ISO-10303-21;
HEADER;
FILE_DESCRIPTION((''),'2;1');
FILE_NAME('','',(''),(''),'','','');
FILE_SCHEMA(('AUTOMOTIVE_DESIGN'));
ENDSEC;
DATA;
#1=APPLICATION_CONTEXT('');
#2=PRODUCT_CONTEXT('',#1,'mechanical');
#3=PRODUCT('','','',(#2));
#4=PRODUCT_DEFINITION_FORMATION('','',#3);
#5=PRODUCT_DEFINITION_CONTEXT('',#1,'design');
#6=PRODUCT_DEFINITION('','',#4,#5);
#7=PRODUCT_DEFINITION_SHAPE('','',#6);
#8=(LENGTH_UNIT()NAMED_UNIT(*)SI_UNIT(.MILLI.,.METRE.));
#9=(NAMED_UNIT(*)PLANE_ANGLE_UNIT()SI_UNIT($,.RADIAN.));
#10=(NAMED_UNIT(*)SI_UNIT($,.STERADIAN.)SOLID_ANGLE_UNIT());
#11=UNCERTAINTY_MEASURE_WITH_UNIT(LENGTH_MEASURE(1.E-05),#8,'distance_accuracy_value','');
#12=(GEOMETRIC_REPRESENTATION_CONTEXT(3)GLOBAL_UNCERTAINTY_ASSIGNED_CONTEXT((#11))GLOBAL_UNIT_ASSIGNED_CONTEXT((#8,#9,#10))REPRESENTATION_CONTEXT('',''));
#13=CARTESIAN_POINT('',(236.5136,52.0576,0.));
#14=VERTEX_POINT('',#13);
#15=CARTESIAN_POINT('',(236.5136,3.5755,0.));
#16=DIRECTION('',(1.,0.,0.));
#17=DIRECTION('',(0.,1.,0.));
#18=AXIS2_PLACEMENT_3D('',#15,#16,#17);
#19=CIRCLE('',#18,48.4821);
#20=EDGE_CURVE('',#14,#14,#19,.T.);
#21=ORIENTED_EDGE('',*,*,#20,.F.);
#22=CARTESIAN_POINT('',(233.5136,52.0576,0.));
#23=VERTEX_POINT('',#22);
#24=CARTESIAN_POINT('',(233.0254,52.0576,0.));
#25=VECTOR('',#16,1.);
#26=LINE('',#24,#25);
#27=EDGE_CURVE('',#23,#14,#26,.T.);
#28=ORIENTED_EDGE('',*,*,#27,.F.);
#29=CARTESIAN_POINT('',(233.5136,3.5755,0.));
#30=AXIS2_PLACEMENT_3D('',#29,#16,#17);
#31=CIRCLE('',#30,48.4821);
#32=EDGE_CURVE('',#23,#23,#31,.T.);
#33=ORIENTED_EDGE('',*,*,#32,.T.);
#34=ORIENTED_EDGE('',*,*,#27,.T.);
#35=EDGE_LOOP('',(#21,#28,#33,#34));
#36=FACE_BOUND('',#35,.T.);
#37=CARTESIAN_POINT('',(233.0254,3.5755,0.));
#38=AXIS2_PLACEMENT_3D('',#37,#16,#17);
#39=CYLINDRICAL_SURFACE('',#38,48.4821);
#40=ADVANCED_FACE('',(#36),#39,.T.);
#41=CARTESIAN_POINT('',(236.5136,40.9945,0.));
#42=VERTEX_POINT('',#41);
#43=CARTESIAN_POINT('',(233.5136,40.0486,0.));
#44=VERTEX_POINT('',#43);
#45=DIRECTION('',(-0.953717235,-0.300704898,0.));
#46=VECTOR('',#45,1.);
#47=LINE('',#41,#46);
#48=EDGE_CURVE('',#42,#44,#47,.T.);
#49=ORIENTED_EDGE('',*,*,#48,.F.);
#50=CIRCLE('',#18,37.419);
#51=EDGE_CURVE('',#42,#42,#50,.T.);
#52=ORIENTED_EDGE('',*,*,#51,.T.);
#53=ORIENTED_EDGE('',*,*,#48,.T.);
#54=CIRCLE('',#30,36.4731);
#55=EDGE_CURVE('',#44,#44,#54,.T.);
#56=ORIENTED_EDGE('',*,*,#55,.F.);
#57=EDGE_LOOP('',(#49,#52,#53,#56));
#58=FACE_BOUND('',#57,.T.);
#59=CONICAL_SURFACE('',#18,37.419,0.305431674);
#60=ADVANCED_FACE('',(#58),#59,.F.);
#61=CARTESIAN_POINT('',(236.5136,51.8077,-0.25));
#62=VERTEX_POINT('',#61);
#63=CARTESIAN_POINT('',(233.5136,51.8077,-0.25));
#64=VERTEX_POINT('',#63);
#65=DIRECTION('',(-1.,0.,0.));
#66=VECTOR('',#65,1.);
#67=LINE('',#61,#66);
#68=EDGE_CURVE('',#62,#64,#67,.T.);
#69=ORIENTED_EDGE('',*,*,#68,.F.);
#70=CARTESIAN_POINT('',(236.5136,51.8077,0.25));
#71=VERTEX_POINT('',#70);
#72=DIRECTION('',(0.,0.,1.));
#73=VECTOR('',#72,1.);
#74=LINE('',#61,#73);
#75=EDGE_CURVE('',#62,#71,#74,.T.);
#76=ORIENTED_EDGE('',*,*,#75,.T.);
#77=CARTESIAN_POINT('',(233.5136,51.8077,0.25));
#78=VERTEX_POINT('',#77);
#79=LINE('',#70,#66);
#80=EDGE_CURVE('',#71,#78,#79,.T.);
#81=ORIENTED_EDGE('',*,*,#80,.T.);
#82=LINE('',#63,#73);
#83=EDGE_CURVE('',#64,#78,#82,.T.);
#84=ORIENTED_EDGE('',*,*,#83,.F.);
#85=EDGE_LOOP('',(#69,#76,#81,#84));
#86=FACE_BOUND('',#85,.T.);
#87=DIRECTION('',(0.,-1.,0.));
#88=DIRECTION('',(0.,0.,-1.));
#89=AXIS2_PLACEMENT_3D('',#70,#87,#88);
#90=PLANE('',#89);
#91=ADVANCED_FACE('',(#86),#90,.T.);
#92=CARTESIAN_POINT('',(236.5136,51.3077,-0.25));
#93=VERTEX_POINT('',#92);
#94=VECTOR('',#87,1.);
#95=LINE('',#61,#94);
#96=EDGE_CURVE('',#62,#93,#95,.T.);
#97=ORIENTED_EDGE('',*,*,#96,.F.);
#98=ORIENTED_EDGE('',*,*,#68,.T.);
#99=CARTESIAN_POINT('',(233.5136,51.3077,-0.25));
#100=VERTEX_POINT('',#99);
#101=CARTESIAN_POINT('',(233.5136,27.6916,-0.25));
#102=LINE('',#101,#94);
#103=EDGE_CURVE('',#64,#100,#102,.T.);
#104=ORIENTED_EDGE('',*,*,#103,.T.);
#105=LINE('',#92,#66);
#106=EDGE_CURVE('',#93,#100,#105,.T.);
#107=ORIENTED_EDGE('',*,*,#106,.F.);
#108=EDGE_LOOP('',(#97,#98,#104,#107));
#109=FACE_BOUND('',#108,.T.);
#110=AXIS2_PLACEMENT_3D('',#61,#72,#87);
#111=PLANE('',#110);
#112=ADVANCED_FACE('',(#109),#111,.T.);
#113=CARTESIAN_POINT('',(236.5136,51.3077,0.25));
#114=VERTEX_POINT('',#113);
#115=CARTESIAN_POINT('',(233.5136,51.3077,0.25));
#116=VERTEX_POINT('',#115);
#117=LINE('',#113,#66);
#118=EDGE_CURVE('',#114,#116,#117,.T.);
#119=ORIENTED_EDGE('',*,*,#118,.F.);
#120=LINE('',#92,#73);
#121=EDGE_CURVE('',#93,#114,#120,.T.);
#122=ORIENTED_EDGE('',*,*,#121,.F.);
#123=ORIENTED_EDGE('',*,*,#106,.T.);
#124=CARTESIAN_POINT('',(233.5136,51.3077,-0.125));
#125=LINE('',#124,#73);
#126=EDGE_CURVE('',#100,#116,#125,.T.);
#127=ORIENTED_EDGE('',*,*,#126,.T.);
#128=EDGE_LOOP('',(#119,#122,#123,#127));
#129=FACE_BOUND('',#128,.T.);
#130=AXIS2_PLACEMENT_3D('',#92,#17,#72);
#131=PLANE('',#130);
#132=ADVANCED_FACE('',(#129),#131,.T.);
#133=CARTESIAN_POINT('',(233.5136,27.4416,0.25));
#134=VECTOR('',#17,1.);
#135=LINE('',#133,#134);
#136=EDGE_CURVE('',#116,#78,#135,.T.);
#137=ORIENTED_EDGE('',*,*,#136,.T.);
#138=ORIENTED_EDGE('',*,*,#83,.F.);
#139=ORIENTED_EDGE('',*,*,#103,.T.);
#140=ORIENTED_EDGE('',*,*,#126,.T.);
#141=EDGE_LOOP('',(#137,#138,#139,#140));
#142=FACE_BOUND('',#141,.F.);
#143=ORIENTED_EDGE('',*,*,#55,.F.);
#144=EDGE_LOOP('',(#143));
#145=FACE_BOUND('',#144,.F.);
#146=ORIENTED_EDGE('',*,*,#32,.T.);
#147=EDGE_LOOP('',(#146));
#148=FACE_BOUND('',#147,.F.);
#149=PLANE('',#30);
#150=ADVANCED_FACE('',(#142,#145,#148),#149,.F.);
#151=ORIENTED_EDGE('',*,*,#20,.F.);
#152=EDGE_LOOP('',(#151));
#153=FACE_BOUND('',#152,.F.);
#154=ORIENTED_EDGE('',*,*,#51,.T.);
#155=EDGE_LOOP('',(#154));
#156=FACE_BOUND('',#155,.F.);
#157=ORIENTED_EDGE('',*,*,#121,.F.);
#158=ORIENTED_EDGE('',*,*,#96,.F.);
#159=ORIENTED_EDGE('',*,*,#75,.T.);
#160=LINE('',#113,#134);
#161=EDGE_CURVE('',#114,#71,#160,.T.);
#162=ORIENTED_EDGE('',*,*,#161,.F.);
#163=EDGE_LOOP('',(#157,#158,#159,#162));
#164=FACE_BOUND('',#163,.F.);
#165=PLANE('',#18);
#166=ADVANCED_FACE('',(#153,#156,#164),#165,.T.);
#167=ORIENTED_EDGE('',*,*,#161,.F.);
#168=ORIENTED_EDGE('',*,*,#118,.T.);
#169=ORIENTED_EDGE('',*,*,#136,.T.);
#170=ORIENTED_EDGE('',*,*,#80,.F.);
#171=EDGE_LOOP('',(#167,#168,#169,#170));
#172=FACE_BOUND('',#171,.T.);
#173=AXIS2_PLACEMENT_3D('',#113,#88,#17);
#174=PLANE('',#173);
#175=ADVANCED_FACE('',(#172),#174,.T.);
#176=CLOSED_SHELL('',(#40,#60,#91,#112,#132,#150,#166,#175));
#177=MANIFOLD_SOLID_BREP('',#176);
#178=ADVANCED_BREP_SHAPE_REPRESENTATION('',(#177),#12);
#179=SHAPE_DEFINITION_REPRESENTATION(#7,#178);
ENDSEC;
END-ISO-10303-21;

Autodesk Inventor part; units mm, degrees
ref_plane "YZ Plane" through (0, 0, 0) normal (1, 0, 0) x (0, 1, 0)
ref_plane "XZ Plane" through (0, 0, 0) normal (0, 1, 0) x (-1, 0, 0)
ref_plane "XY Plane" through (0, 0, 0) normal (0, 0, 1) x (1, 0, 0)
sketch "Sketch1" plane through (0, 0, 0) normal (0, 0, 1) x (1, 0, 0)
  arc A0 (180.1312, 23.4516) -> (181.5833, 23.6751) centre (180.1312, 28.2803) ccw
  arc A1 (180.1312, 23.4516) -> (181.5842, 23.6753) centre (180.1312, 28.2803) ccw
  arc A2 (167.724, 26.7761) -> (180.1312, 23.4516) centre (180.1312, 48.266) ccw
  arc A3 (166.724, 25.044) -> (180.1312, 21.4516) centre (180.1312, 48.266) ccw
  line L0 (124.3912, 51.7943) -> (167.724, 26.7761)
  line L1 (123.3912, 50.0622) -> (166.724, 25.044)
  arc A4 (180.1312, 21.4516) -> (182.1847, 21.7676) centre (180.1312, 28.2803) ccw
  arc A5 (123.3912, 50.0622) -> (30.0219, 75.0805) centre (30.0219, -111.6581) ccw
  arc A6 (124.3912, 51.7943) -> (30.0219, 77.0805) centre (30.0219, -111.6581) ccw
  line L2 (0, 75.0805) -> (30.0219, 75.0805)
  line L3 (0, 77.0805) -> (30.0219, 77.0805)
  line L4 (236.5136, 40.9945) -> (181.5833, 23.6751)
  line L5 (182.1847, 21.7676) -> (237.115, 39.0871)
  line L6 (0, 3.5755) -> (319.1694, 3.5755)
  line L7 (236.5136, 40.9945) -> (237.115, 39.0871)
  line L8 (0, 88.1805) -> (30.0219, 88.1805)
  line L9 (166.724, 25.044) -> (166.724, -4.6444)
  line L10 (30.0219, 88.1805) -> (165.724, 88.1805)
  line L11 (233.0254, 52.0576) -> (144.4694, 24.136)
  line L12 (233.0254, 52.0576) -> (237.115, 52.0576)
  line L13 (233.0254, 52.0576) -> (167.724, 52.0576)
  line L14 (167.724, 90.1805) -> (30.0219, 90.1805)
  line L15 (30.0219, 90.1805) -> (0, 90.1805)
  line L16 (233.0254, 54.0576) -> (169.724, 54.0576)
  line L17 (168.724, 25.044) -> (168.724, 31.7835)
  line L18 (168.724, 55.0576) -> (168.724, 89.1805)
  line L19 (166.724, 25.044) -> (166.724, 31.1529)
  line L20 (166.724, 53.0576) -> (166.724, 87.1805)
  arc A7 (166.724, 87.1805) -> (165.724, 88.1805) centre (165.724, 87.1805) ccw
  arc A8 (168.724, 89.1805) -> (167.724, 90.1805) centre (167.724, 89.1805) ccw
  arc A9 (168.724, 55.0576) -> (169.724, 54.0576) centre (169.724, 55.0576) ccw
  arc A10 (166.724, 53.0576) -> (167.724, 52.0576) centre (167.724, 53.0576) ccw
  line L21 (0, 88.1805) -> (0, 90.1805)
  line L22 (237.115, 52.0576) -> (237.115, 54.0576)
  line L23 (233.0254, 54.0576) -> (237.115, 54.0576)
  line L24 (236.5136, 40.9945) -> (236.5136, 52.0576)
  line L25 (236.5136, 52.0576) -> (233.5136, 52.0576)
  line L26 (233.5136, 52.0576) -> (233.5136, 40.0486)
  dimension "d40" = 30.0219
  dimension "d41" = 186.7386
  dimension "d42" = 0
  dimension "d43" = 0
  dimension "d44" = 71.505
  dimension "d45" = 2
  dimension "d46" = 2
  dimension "d47" = 2
  dimension "d48" = 2
  dimension "d49" = 2
  dimension "d50" = 17.5
  dimension "d51" = 54.9303
  dimension "d52" = 2
  dimension "d53" = 11.1
  dimension "d54" = 11.6
  dimension "d55" = 17.5
  dimension "d56" = 2
  dimension "d57" = 2
  dimension "d58" = 1
  dimension "d59" = 1
  dimension "d60" = 1
  dimension "d61" = 1
  dimension "d62" = 3
revolve "Revolution1" add sketch "Sketch1" angle 360 about axis through (0, 3.5755, 0) along (1, 0, 0) contours L26 L12 L24 L4
sketch "Sketch2" plane through (236.5136, 3.5755, 0) normal (1, 0, 0) x (0, 0, -1)
  circle A0 centre (0, 0) radius 37.419 projected
  line L0 (0, 37.419) -> (0, 42.1815)
  circle A1 centre (0, 42.1815) radius 4.7625
  point P0 (0, -3.5755)
  dimension "d63" = 4.7625
  dimension "d64" = 9.525
sketch "Sketch3" plane through (233.5136, 3.5755, 0) normal (-1, 0, 0) x (0, 0, 1)
  circle A0 centre (0, 0) radius 36.4731 projected
  line L0 (0, 36.4731) -> (0, 41.2356)
  circle A1 centre (0, 41.2356) radius 4.7625
  point P0 (0, -3.5755)
  dimension "d65" = 4.7625
  dimension "d66" = 9.525
sketch "Sketch4" plane through (0, 0, 0) normal (0, 0, 1) x (1, 0, 0)
  line L0 (236.5136, -44.9067) -> (236.5136, 52.0576) projected
  line L1 (236.5136, 45.7795) -> (233.5136, 44.7756)
  line L2 (233.5136, -44.9067) -> (233.5136, 52.0576) projected
  point P0 (0, 0)
sketch "Sketch5" plane through (236.5136, 3.5755, 0) normal (1, 0, 0) x (0, 0, -1)
  circle A0 centre (0, 42.1815) radius 4.7625 projected
  circle A1 centre (0, 0) radius 48.4822 projected
  line L0 (0, 48.4822) -> (0, 47.9822)
  line L1 (0.25, 47.7322) -> (-0.25, 47.7322)
  line L2 (-0.25, 47.7322) -> (-0.25, 48.2322)
  line L3 (-0.25, 48.2322) -> (0.25, 48.2322)
  line L4 (0.25, 48.2322) -> (0.25, 47.7322)
  line L5 (0.25, 47.7322) -> (-0.25, 48.2322) construction
  line L6 (-0.25, 47.7322) -> (0.25, 48.2322) construction
  point P0 (0, -3.5755)
  point P1 (0, 37.419)
  dimension "d72" = 0.5
  dimension "d76" = 0.5
  dimension "d77" = 0.5
extrude "Extrusion1" cut sketch "Sketch5" against normal blind 3.5 contours L3 L4 L1 L2
properties part number "back bracket" material "Stainless Steel"
